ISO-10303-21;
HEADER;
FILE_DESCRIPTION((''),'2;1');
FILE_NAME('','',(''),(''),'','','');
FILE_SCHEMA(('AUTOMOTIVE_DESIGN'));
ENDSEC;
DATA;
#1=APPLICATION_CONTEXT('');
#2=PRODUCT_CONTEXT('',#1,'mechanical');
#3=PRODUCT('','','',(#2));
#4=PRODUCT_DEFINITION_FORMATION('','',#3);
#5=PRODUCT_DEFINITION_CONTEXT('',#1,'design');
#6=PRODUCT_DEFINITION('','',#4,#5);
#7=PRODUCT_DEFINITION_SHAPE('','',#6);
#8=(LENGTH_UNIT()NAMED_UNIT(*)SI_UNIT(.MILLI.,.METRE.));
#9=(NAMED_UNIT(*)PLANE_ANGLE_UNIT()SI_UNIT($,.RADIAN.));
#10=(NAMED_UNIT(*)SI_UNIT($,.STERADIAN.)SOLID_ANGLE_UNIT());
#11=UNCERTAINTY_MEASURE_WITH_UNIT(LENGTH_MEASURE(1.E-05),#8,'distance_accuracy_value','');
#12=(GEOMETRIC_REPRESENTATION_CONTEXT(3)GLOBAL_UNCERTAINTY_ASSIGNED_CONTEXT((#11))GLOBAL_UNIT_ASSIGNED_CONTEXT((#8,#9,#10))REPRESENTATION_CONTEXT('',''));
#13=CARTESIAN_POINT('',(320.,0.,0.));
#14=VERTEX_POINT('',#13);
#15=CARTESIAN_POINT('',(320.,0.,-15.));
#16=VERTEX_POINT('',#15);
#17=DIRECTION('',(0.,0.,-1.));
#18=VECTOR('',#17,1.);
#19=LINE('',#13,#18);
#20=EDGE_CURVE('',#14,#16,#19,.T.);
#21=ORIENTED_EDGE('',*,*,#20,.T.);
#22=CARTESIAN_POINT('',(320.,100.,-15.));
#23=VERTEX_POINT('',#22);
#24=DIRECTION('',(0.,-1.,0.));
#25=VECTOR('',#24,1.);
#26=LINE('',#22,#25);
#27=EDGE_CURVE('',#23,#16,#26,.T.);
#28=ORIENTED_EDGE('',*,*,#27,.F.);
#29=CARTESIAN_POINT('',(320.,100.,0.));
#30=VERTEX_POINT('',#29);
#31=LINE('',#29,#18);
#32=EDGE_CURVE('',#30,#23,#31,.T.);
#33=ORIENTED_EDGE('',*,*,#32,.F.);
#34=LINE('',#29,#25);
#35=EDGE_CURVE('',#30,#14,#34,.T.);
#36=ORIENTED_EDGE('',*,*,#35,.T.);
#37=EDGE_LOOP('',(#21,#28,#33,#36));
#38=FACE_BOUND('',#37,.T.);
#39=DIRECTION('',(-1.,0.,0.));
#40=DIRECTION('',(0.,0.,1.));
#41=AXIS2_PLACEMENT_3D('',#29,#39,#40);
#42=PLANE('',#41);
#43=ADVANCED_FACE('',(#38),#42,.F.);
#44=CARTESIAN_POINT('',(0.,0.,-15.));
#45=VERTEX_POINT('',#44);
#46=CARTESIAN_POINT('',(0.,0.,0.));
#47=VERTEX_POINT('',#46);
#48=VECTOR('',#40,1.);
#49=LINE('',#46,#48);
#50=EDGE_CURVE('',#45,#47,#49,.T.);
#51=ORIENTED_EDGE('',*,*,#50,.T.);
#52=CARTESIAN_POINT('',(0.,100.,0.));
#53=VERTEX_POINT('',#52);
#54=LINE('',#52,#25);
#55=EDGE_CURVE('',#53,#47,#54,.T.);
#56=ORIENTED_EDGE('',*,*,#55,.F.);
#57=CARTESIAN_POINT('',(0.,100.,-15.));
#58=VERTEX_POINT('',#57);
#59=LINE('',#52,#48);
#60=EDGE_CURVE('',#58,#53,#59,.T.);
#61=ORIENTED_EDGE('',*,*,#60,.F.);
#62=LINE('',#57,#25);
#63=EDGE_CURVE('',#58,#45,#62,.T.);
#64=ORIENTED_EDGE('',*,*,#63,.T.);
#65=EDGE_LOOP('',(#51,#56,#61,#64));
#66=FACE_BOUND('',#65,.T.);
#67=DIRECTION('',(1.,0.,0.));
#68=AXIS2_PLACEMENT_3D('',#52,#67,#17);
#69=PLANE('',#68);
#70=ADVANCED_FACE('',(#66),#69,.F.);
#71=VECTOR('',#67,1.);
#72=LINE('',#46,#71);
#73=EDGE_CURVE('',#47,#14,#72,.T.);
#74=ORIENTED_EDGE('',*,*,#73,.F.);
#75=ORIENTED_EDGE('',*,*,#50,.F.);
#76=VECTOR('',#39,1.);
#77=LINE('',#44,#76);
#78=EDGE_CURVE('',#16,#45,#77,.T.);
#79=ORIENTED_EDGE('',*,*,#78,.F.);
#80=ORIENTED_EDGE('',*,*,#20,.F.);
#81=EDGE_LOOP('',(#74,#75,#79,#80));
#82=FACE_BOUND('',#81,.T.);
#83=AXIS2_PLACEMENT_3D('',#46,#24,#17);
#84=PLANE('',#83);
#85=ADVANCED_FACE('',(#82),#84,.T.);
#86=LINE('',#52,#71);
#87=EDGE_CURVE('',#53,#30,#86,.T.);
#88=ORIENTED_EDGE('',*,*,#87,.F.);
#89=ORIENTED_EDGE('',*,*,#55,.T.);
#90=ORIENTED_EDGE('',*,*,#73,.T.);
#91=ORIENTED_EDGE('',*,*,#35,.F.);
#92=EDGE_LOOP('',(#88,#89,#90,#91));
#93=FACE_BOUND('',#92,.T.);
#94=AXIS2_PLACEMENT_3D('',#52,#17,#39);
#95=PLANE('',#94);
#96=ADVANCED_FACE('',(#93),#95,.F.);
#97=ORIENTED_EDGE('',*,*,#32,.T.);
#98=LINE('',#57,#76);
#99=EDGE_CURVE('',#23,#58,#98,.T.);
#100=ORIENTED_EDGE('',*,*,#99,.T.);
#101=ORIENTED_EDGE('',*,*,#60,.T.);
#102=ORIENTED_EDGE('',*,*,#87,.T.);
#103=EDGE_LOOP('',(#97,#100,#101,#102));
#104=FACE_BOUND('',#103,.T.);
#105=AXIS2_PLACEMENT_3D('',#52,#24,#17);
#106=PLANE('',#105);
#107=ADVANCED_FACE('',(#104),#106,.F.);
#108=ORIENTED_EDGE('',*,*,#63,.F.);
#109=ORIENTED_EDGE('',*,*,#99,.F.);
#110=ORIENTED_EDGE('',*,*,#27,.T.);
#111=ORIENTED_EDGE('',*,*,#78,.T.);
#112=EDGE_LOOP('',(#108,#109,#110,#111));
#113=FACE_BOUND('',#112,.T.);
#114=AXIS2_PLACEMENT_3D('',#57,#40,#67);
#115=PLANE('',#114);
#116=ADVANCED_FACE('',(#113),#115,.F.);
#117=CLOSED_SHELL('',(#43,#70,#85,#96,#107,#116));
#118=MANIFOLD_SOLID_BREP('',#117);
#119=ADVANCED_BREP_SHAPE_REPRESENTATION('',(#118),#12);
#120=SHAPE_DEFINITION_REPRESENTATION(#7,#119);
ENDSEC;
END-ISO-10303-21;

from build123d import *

# Parameters (mm, degrees)
SKETCH_1_W      = 320
SKETCH_1_H      = 15
EXTRUDE_1_DEPTH = 100


with BuildPart() as part:
    # 草图1 → 凸台-拉伸1 (new body)
    with BuildSketch(Plane(origin=(0, 0, 0), x_dir=(1, 0, 0), z_dir=(0, 1, 0))):
        with Locations((160, 7.5)):
            Rectangle(SKETCH_1_W, SKETCH_1_H)
    extrude(amount=EXTRUDE_1_DEPTH)


solid = part.part
